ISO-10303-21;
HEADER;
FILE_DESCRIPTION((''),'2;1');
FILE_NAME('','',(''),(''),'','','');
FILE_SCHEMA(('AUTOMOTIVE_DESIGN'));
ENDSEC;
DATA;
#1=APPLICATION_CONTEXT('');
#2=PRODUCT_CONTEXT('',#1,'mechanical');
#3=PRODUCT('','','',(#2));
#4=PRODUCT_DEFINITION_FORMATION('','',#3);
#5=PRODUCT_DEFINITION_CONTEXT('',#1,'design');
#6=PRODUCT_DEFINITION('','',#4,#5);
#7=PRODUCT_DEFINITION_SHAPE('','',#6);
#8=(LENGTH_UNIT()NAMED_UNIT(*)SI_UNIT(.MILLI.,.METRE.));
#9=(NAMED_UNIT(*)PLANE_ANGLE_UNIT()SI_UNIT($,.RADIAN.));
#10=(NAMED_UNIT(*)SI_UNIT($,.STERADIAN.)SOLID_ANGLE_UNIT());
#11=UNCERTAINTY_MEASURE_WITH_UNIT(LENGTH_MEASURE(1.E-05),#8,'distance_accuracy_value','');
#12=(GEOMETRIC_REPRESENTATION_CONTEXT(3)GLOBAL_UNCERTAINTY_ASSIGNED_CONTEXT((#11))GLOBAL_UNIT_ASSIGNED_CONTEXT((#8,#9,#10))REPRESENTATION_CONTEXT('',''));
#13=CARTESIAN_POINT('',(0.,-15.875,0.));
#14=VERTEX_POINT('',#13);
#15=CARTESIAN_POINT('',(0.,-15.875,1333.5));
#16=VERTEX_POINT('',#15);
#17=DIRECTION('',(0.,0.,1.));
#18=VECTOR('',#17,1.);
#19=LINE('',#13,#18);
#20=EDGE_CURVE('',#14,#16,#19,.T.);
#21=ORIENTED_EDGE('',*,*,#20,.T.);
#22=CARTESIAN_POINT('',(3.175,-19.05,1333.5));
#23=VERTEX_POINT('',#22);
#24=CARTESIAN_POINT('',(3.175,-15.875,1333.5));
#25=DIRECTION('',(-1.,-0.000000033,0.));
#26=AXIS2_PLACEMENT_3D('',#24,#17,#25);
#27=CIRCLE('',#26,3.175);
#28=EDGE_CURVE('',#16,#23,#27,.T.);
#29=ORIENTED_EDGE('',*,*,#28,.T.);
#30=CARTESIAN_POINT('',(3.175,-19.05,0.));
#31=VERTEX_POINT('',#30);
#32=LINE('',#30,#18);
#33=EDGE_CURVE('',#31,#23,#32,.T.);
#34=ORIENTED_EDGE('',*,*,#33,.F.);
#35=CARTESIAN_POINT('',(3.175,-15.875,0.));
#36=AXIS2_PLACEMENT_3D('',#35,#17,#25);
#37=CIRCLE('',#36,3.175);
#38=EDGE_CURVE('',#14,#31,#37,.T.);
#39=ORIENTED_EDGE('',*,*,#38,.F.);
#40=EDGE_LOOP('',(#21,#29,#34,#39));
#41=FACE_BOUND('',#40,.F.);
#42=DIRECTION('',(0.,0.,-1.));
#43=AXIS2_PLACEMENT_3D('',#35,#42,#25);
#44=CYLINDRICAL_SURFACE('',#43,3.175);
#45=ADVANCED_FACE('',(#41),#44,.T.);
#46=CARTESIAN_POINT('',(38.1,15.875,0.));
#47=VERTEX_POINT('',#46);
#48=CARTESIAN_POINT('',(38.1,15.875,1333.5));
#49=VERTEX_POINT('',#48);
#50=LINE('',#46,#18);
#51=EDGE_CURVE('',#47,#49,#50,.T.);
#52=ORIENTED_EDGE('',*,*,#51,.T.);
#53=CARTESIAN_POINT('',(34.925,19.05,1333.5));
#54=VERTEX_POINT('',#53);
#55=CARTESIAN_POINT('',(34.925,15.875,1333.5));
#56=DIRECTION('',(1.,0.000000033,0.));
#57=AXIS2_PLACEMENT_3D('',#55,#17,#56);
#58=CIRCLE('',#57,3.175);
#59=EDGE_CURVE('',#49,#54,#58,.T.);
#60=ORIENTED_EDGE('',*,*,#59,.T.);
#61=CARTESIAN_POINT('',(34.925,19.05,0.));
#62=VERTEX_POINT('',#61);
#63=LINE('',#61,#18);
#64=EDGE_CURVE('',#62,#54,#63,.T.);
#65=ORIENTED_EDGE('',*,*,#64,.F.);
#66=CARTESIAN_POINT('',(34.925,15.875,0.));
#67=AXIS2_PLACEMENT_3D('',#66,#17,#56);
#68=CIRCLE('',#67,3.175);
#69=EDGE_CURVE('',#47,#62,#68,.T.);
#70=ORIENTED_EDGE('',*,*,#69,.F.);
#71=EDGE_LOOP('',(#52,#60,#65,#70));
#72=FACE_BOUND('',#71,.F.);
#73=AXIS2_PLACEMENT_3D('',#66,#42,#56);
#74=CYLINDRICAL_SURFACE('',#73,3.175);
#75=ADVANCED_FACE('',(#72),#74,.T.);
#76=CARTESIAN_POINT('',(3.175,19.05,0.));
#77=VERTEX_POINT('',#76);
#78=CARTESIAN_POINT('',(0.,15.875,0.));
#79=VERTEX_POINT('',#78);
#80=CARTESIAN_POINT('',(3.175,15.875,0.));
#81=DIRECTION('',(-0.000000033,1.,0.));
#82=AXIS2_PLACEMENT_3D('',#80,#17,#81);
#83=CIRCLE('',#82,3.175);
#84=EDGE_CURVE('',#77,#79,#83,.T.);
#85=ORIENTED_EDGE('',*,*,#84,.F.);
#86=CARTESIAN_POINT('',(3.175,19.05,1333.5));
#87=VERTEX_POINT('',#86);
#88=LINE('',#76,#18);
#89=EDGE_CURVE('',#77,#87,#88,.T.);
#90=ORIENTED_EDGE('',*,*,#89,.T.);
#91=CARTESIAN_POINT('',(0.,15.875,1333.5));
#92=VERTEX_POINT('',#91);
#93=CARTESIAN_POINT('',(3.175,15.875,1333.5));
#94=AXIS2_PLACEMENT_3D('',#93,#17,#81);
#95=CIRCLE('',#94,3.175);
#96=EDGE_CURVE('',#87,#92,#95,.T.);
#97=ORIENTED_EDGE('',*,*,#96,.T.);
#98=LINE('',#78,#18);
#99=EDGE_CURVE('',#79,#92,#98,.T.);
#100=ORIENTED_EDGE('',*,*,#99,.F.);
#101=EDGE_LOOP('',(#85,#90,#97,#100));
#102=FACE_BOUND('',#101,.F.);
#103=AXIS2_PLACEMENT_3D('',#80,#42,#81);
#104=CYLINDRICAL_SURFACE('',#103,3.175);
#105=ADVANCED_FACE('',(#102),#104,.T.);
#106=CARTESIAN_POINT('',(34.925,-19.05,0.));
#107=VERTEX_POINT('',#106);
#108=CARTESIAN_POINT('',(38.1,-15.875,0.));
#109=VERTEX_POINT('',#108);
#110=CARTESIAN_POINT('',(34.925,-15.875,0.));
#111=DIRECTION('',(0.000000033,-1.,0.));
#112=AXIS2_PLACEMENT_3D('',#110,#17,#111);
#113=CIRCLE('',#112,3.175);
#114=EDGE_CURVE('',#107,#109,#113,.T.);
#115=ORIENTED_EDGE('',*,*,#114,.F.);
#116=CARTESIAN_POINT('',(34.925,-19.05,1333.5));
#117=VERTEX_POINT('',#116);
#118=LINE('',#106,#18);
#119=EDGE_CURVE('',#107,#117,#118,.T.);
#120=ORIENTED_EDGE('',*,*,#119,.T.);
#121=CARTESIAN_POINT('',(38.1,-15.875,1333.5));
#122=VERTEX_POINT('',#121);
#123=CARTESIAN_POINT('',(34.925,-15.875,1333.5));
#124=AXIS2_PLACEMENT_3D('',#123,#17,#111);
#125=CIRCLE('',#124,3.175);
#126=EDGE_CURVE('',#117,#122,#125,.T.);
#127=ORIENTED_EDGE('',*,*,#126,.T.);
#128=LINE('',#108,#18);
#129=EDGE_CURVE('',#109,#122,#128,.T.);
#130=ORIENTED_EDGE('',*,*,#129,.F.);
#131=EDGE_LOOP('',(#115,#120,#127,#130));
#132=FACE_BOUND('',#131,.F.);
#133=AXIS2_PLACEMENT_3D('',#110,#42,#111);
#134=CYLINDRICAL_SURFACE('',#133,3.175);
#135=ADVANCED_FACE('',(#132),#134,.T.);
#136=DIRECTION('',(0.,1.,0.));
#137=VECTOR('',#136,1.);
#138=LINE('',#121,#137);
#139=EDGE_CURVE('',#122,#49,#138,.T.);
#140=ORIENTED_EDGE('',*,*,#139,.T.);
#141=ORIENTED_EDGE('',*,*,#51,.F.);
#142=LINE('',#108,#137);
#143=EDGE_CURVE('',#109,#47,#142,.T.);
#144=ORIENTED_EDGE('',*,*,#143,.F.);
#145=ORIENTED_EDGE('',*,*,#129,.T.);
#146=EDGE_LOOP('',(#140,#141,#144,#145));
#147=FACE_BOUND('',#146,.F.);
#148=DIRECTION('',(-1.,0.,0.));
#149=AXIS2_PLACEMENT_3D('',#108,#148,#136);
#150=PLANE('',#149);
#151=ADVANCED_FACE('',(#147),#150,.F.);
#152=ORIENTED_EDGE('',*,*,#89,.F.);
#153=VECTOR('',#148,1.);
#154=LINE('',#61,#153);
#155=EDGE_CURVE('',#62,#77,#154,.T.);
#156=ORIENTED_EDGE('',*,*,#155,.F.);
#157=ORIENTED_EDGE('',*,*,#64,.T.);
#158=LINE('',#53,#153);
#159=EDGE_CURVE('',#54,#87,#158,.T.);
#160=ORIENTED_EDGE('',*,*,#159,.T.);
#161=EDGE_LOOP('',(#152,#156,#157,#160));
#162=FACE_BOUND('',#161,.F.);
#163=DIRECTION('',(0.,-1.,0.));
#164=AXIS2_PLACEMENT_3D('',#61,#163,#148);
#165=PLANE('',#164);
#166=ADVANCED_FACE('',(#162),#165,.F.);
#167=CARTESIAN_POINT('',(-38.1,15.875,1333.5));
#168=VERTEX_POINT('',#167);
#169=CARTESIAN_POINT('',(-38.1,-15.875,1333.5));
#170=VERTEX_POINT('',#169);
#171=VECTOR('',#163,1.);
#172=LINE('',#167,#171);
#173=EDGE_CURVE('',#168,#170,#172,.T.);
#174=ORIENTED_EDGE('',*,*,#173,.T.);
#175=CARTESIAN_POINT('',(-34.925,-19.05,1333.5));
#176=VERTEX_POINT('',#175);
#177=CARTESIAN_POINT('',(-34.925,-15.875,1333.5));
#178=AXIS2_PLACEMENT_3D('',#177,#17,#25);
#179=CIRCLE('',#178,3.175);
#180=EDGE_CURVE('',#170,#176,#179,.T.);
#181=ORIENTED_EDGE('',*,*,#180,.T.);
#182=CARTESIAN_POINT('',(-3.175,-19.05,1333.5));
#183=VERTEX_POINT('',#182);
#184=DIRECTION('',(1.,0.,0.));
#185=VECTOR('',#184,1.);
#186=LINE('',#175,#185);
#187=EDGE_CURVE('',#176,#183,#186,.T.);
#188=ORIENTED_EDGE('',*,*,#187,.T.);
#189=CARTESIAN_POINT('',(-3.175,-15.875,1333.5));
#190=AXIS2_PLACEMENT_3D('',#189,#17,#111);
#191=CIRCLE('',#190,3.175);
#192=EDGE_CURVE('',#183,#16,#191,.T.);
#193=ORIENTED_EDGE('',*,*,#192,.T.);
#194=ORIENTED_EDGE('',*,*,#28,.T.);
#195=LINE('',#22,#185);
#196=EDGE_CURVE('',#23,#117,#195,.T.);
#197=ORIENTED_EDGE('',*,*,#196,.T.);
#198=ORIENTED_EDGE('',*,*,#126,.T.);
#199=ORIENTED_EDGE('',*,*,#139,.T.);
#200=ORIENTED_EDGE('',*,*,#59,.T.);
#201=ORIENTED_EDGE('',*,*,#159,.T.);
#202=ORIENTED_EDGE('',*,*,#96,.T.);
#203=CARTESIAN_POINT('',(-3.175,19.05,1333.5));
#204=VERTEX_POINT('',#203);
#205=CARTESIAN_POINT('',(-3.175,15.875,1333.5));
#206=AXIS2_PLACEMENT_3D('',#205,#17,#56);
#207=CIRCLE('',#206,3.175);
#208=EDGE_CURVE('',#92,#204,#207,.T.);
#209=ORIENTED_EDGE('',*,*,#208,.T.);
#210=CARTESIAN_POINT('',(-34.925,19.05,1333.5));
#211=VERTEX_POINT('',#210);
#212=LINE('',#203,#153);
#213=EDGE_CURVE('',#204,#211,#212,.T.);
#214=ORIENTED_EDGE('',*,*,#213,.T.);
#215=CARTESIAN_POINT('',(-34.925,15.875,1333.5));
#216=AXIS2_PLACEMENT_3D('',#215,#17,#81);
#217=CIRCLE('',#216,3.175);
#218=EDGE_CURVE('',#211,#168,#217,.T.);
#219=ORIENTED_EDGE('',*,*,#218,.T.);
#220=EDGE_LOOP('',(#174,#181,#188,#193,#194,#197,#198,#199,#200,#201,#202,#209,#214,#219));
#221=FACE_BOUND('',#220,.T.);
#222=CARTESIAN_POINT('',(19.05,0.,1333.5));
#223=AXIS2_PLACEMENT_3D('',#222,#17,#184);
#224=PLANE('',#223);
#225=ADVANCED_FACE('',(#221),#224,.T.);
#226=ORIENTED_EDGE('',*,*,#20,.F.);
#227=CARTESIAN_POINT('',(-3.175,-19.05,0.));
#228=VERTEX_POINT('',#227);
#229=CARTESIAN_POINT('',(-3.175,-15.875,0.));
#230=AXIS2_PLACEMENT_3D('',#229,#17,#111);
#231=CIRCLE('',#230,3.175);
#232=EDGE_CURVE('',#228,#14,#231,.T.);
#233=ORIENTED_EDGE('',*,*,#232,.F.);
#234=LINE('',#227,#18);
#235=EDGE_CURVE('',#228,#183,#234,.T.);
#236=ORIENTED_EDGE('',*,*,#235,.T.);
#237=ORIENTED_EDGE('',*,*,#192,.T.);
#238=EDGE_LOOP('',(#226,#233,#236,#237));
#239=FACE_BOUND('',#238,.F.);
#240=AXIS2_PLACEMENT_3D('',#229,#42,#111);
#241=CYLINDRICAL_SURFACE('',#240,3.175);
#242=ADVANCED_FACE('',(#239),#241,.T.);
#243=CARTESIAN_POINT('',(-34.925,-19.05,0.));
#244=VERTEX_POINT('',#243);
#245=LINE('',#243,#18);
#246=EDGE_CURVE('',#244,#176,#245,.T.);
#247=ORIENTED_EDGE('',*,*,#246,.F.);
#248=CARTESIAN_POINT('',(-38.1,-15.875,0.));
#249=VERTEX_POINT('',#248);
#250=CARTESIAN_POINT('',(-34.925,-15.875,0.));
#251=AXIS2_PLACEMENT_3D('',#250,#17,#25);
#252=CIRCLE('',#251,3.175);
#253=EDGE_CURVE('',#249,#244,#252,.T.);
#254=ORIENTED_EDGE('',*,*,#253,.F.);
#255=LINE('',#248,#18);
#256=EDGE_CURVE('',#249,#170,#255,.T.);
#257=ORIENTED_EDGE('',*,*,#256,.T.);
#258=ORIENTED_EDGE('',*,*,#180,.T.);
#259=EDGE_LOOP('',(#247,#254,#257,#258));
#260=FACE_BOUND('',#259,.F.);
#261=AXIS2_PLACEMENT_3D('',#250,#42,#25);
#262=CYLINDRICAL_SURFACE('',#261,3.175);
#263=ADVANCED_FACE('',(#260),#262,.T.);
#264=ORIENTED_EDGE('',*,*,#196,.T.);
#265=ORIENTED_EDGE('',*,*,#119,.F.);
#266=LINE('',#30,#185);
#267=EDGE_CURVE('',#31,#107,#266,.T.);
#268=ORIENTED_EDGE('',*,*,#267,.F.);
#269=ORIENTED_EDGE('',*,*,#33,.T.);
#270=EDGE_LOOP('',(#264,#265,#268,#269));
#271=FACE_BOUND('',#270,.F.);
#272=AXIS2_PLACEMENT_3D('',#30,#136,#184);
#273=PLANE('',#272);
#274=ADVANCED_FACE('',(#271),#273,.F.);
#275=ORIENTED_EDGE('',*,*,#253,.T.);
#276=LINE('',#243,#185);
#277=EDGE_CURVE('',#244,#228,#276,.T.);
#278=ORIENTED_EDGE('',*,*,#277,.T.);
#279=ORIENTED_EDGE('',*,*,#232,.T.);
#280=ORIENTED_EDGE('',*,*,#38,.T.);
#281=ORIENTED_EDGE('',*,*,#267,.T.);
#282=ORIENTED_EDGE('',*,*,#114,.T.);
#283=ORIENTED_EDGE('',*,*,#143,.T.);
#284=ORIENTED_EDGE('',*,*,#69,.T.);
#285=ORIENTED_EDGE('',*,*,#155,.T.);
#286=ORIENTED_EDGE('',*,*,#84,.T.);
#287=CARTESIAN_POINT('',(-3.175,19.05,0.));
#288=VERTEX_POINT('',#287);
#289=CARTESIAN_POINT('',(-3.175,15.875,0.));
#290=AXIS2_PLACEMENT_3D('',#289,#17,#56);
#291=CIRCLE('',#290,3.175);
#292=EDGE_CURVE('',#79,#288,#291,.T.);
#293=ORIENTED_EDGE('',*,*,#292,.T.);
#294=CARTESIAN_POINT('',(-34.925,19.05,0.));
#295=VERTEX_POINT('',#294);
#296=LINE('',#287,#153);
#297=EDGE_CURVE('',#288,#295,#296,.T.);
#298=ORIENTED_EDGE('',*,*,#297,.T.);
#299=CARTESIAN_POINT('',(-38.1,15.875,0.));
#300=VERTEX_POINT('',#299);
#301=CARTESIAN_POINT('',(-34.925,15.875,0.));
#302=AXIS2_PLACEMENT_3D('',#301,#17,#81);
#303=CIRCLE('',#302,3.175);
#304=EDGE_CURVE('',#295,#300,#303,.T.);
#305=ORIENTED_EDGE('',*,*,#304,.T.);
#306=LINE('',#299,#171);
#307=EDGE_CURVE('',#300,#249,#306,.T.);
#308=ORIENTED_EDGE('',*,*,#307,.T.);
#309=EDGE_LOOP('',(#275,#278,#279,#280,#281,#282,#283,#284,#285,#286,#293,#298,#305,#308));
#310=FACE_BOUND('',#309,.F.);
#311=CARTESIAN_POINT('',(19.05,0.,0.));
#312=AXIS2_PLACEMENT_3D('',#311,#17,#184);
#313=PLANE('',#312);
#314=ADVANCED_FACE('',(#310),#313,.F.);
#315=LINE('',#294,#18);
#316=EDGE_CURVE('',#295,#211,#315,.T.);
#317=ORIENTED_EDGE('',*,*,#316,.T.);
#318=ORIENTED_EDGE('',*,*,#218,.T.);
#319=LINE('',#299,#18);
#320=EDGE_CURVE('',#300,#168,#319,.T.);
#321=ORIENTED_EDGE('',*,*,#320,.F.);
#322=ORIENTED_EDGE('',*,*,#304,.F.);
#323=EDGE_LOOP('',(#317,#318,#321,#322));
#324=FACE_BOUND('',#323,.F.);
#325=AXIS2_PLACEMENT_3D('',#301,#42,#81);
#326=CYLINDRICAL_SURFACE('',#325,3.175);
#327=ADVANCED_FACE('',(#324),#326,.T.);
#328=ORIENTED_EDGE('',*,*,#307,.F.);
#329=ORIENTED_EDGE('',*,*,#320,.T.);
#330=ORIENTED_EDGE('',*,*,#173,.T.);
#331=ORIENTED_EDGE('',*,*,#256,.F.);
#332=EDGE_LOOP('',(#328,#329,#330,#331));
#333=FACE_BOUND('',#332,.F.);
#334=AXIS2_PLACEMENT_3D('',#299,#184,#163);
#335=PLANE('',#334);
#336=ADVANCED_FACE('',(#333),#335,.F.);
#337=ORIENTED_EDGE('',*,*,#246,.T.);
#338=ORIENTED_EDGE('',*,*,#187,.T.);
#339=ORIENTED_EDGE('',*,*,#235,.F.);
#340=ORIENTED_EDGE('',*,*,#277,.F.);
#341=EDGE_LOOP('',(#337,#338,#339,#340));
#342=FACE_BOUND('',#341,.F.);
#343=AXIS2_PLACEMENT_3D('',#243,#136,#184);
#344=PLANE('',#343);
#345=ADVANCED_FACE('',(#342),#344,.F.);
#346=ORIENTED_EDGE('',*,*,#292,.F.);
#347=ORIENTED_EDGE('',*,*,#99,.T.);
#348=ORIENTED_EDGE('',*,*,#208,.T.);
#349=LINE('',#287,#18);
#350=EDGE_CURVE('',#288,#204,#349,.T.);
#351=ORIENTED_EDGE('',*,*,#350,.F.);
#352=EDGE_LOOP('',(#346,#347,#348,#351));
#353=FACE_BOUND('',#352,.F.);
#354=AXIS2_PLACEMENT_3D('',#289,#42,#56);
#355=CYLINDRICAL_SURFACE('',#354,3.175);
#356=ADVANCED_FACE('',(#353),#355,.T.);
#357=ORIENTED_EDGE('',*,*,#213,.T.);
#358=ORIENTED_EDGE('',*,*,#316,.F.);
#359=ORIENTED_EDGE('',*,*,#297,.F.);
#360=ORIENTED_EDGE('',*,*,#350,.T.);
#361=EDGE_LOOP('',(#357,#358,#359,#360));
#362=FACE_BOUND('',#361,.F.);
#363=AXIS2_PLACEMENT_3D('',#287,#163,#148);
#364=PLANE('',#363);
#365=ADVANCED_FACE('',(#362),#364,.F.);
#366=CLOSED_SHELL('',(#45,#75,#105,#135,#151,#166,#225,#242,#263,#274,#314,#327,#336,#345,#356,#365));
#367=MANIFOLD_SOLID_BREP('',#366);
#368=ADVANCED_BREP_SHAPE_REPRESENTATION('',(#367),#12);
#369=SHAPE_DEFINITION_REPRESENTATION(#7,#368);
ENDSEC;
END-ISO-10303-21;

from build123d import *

# Parameters (mm, degrees)
F1_DEPTH = 1333.5


with BuildPart() as f1:
    # F0 (on Top) → F1 (new body)
    with BuildSketch(Plane.XY):
        with BuildLine():
            ThreePointArc((38.1, 15.875), (37.170064, 18.120064), (34.925, 19.05))
            Line((34.925, 19.05), (3.175, 19.05))
            ThreePointArc((3.175, 19.05), (0.929936, 18.120064), (0, 15.875))
            Line((0, 15.875), (0, -15.875))
            ThreePointArc((0, -15.875), (0.929936, -18.120064), (3.175, -19.05))
            Line((3.175, -19.05), (34.925, -19.05))
            ThreePointArc((34.925, -19.05), (37.170064, -18.120064), (38.1, -15.875))
            Line((38.1, -15.875), (38.1, 15.875))
        make_face()
        with BuildLine():
            Line((0, -15.875), (0, 15.875))
            ThreePointArc((0, 15.875), (-0.929936, 18.120064), (-3.175, 19.05))
            Line((-3.175, 19.05), (-34.925, 19.05))
            ThreePointArc((-34.925, 19.05), (-37.170064, 18.120064), (-38.1, 15.875))
            Line((-38.1, 15.875), (-38.1, -15.875))
            ThreePointArc((-38.1, -15.875), (-37.170064, -18.120064), (-34.925, -19.05))
            Line((-34.925, -19.05), (-3.175, -19.05))
            ThreePointArc((-3.175, -19.05), (-0.929936, -18.120064), (0, -15.875))
        make_face()
    extrude(amount=F1_DEPTH)


solid = f1.part
